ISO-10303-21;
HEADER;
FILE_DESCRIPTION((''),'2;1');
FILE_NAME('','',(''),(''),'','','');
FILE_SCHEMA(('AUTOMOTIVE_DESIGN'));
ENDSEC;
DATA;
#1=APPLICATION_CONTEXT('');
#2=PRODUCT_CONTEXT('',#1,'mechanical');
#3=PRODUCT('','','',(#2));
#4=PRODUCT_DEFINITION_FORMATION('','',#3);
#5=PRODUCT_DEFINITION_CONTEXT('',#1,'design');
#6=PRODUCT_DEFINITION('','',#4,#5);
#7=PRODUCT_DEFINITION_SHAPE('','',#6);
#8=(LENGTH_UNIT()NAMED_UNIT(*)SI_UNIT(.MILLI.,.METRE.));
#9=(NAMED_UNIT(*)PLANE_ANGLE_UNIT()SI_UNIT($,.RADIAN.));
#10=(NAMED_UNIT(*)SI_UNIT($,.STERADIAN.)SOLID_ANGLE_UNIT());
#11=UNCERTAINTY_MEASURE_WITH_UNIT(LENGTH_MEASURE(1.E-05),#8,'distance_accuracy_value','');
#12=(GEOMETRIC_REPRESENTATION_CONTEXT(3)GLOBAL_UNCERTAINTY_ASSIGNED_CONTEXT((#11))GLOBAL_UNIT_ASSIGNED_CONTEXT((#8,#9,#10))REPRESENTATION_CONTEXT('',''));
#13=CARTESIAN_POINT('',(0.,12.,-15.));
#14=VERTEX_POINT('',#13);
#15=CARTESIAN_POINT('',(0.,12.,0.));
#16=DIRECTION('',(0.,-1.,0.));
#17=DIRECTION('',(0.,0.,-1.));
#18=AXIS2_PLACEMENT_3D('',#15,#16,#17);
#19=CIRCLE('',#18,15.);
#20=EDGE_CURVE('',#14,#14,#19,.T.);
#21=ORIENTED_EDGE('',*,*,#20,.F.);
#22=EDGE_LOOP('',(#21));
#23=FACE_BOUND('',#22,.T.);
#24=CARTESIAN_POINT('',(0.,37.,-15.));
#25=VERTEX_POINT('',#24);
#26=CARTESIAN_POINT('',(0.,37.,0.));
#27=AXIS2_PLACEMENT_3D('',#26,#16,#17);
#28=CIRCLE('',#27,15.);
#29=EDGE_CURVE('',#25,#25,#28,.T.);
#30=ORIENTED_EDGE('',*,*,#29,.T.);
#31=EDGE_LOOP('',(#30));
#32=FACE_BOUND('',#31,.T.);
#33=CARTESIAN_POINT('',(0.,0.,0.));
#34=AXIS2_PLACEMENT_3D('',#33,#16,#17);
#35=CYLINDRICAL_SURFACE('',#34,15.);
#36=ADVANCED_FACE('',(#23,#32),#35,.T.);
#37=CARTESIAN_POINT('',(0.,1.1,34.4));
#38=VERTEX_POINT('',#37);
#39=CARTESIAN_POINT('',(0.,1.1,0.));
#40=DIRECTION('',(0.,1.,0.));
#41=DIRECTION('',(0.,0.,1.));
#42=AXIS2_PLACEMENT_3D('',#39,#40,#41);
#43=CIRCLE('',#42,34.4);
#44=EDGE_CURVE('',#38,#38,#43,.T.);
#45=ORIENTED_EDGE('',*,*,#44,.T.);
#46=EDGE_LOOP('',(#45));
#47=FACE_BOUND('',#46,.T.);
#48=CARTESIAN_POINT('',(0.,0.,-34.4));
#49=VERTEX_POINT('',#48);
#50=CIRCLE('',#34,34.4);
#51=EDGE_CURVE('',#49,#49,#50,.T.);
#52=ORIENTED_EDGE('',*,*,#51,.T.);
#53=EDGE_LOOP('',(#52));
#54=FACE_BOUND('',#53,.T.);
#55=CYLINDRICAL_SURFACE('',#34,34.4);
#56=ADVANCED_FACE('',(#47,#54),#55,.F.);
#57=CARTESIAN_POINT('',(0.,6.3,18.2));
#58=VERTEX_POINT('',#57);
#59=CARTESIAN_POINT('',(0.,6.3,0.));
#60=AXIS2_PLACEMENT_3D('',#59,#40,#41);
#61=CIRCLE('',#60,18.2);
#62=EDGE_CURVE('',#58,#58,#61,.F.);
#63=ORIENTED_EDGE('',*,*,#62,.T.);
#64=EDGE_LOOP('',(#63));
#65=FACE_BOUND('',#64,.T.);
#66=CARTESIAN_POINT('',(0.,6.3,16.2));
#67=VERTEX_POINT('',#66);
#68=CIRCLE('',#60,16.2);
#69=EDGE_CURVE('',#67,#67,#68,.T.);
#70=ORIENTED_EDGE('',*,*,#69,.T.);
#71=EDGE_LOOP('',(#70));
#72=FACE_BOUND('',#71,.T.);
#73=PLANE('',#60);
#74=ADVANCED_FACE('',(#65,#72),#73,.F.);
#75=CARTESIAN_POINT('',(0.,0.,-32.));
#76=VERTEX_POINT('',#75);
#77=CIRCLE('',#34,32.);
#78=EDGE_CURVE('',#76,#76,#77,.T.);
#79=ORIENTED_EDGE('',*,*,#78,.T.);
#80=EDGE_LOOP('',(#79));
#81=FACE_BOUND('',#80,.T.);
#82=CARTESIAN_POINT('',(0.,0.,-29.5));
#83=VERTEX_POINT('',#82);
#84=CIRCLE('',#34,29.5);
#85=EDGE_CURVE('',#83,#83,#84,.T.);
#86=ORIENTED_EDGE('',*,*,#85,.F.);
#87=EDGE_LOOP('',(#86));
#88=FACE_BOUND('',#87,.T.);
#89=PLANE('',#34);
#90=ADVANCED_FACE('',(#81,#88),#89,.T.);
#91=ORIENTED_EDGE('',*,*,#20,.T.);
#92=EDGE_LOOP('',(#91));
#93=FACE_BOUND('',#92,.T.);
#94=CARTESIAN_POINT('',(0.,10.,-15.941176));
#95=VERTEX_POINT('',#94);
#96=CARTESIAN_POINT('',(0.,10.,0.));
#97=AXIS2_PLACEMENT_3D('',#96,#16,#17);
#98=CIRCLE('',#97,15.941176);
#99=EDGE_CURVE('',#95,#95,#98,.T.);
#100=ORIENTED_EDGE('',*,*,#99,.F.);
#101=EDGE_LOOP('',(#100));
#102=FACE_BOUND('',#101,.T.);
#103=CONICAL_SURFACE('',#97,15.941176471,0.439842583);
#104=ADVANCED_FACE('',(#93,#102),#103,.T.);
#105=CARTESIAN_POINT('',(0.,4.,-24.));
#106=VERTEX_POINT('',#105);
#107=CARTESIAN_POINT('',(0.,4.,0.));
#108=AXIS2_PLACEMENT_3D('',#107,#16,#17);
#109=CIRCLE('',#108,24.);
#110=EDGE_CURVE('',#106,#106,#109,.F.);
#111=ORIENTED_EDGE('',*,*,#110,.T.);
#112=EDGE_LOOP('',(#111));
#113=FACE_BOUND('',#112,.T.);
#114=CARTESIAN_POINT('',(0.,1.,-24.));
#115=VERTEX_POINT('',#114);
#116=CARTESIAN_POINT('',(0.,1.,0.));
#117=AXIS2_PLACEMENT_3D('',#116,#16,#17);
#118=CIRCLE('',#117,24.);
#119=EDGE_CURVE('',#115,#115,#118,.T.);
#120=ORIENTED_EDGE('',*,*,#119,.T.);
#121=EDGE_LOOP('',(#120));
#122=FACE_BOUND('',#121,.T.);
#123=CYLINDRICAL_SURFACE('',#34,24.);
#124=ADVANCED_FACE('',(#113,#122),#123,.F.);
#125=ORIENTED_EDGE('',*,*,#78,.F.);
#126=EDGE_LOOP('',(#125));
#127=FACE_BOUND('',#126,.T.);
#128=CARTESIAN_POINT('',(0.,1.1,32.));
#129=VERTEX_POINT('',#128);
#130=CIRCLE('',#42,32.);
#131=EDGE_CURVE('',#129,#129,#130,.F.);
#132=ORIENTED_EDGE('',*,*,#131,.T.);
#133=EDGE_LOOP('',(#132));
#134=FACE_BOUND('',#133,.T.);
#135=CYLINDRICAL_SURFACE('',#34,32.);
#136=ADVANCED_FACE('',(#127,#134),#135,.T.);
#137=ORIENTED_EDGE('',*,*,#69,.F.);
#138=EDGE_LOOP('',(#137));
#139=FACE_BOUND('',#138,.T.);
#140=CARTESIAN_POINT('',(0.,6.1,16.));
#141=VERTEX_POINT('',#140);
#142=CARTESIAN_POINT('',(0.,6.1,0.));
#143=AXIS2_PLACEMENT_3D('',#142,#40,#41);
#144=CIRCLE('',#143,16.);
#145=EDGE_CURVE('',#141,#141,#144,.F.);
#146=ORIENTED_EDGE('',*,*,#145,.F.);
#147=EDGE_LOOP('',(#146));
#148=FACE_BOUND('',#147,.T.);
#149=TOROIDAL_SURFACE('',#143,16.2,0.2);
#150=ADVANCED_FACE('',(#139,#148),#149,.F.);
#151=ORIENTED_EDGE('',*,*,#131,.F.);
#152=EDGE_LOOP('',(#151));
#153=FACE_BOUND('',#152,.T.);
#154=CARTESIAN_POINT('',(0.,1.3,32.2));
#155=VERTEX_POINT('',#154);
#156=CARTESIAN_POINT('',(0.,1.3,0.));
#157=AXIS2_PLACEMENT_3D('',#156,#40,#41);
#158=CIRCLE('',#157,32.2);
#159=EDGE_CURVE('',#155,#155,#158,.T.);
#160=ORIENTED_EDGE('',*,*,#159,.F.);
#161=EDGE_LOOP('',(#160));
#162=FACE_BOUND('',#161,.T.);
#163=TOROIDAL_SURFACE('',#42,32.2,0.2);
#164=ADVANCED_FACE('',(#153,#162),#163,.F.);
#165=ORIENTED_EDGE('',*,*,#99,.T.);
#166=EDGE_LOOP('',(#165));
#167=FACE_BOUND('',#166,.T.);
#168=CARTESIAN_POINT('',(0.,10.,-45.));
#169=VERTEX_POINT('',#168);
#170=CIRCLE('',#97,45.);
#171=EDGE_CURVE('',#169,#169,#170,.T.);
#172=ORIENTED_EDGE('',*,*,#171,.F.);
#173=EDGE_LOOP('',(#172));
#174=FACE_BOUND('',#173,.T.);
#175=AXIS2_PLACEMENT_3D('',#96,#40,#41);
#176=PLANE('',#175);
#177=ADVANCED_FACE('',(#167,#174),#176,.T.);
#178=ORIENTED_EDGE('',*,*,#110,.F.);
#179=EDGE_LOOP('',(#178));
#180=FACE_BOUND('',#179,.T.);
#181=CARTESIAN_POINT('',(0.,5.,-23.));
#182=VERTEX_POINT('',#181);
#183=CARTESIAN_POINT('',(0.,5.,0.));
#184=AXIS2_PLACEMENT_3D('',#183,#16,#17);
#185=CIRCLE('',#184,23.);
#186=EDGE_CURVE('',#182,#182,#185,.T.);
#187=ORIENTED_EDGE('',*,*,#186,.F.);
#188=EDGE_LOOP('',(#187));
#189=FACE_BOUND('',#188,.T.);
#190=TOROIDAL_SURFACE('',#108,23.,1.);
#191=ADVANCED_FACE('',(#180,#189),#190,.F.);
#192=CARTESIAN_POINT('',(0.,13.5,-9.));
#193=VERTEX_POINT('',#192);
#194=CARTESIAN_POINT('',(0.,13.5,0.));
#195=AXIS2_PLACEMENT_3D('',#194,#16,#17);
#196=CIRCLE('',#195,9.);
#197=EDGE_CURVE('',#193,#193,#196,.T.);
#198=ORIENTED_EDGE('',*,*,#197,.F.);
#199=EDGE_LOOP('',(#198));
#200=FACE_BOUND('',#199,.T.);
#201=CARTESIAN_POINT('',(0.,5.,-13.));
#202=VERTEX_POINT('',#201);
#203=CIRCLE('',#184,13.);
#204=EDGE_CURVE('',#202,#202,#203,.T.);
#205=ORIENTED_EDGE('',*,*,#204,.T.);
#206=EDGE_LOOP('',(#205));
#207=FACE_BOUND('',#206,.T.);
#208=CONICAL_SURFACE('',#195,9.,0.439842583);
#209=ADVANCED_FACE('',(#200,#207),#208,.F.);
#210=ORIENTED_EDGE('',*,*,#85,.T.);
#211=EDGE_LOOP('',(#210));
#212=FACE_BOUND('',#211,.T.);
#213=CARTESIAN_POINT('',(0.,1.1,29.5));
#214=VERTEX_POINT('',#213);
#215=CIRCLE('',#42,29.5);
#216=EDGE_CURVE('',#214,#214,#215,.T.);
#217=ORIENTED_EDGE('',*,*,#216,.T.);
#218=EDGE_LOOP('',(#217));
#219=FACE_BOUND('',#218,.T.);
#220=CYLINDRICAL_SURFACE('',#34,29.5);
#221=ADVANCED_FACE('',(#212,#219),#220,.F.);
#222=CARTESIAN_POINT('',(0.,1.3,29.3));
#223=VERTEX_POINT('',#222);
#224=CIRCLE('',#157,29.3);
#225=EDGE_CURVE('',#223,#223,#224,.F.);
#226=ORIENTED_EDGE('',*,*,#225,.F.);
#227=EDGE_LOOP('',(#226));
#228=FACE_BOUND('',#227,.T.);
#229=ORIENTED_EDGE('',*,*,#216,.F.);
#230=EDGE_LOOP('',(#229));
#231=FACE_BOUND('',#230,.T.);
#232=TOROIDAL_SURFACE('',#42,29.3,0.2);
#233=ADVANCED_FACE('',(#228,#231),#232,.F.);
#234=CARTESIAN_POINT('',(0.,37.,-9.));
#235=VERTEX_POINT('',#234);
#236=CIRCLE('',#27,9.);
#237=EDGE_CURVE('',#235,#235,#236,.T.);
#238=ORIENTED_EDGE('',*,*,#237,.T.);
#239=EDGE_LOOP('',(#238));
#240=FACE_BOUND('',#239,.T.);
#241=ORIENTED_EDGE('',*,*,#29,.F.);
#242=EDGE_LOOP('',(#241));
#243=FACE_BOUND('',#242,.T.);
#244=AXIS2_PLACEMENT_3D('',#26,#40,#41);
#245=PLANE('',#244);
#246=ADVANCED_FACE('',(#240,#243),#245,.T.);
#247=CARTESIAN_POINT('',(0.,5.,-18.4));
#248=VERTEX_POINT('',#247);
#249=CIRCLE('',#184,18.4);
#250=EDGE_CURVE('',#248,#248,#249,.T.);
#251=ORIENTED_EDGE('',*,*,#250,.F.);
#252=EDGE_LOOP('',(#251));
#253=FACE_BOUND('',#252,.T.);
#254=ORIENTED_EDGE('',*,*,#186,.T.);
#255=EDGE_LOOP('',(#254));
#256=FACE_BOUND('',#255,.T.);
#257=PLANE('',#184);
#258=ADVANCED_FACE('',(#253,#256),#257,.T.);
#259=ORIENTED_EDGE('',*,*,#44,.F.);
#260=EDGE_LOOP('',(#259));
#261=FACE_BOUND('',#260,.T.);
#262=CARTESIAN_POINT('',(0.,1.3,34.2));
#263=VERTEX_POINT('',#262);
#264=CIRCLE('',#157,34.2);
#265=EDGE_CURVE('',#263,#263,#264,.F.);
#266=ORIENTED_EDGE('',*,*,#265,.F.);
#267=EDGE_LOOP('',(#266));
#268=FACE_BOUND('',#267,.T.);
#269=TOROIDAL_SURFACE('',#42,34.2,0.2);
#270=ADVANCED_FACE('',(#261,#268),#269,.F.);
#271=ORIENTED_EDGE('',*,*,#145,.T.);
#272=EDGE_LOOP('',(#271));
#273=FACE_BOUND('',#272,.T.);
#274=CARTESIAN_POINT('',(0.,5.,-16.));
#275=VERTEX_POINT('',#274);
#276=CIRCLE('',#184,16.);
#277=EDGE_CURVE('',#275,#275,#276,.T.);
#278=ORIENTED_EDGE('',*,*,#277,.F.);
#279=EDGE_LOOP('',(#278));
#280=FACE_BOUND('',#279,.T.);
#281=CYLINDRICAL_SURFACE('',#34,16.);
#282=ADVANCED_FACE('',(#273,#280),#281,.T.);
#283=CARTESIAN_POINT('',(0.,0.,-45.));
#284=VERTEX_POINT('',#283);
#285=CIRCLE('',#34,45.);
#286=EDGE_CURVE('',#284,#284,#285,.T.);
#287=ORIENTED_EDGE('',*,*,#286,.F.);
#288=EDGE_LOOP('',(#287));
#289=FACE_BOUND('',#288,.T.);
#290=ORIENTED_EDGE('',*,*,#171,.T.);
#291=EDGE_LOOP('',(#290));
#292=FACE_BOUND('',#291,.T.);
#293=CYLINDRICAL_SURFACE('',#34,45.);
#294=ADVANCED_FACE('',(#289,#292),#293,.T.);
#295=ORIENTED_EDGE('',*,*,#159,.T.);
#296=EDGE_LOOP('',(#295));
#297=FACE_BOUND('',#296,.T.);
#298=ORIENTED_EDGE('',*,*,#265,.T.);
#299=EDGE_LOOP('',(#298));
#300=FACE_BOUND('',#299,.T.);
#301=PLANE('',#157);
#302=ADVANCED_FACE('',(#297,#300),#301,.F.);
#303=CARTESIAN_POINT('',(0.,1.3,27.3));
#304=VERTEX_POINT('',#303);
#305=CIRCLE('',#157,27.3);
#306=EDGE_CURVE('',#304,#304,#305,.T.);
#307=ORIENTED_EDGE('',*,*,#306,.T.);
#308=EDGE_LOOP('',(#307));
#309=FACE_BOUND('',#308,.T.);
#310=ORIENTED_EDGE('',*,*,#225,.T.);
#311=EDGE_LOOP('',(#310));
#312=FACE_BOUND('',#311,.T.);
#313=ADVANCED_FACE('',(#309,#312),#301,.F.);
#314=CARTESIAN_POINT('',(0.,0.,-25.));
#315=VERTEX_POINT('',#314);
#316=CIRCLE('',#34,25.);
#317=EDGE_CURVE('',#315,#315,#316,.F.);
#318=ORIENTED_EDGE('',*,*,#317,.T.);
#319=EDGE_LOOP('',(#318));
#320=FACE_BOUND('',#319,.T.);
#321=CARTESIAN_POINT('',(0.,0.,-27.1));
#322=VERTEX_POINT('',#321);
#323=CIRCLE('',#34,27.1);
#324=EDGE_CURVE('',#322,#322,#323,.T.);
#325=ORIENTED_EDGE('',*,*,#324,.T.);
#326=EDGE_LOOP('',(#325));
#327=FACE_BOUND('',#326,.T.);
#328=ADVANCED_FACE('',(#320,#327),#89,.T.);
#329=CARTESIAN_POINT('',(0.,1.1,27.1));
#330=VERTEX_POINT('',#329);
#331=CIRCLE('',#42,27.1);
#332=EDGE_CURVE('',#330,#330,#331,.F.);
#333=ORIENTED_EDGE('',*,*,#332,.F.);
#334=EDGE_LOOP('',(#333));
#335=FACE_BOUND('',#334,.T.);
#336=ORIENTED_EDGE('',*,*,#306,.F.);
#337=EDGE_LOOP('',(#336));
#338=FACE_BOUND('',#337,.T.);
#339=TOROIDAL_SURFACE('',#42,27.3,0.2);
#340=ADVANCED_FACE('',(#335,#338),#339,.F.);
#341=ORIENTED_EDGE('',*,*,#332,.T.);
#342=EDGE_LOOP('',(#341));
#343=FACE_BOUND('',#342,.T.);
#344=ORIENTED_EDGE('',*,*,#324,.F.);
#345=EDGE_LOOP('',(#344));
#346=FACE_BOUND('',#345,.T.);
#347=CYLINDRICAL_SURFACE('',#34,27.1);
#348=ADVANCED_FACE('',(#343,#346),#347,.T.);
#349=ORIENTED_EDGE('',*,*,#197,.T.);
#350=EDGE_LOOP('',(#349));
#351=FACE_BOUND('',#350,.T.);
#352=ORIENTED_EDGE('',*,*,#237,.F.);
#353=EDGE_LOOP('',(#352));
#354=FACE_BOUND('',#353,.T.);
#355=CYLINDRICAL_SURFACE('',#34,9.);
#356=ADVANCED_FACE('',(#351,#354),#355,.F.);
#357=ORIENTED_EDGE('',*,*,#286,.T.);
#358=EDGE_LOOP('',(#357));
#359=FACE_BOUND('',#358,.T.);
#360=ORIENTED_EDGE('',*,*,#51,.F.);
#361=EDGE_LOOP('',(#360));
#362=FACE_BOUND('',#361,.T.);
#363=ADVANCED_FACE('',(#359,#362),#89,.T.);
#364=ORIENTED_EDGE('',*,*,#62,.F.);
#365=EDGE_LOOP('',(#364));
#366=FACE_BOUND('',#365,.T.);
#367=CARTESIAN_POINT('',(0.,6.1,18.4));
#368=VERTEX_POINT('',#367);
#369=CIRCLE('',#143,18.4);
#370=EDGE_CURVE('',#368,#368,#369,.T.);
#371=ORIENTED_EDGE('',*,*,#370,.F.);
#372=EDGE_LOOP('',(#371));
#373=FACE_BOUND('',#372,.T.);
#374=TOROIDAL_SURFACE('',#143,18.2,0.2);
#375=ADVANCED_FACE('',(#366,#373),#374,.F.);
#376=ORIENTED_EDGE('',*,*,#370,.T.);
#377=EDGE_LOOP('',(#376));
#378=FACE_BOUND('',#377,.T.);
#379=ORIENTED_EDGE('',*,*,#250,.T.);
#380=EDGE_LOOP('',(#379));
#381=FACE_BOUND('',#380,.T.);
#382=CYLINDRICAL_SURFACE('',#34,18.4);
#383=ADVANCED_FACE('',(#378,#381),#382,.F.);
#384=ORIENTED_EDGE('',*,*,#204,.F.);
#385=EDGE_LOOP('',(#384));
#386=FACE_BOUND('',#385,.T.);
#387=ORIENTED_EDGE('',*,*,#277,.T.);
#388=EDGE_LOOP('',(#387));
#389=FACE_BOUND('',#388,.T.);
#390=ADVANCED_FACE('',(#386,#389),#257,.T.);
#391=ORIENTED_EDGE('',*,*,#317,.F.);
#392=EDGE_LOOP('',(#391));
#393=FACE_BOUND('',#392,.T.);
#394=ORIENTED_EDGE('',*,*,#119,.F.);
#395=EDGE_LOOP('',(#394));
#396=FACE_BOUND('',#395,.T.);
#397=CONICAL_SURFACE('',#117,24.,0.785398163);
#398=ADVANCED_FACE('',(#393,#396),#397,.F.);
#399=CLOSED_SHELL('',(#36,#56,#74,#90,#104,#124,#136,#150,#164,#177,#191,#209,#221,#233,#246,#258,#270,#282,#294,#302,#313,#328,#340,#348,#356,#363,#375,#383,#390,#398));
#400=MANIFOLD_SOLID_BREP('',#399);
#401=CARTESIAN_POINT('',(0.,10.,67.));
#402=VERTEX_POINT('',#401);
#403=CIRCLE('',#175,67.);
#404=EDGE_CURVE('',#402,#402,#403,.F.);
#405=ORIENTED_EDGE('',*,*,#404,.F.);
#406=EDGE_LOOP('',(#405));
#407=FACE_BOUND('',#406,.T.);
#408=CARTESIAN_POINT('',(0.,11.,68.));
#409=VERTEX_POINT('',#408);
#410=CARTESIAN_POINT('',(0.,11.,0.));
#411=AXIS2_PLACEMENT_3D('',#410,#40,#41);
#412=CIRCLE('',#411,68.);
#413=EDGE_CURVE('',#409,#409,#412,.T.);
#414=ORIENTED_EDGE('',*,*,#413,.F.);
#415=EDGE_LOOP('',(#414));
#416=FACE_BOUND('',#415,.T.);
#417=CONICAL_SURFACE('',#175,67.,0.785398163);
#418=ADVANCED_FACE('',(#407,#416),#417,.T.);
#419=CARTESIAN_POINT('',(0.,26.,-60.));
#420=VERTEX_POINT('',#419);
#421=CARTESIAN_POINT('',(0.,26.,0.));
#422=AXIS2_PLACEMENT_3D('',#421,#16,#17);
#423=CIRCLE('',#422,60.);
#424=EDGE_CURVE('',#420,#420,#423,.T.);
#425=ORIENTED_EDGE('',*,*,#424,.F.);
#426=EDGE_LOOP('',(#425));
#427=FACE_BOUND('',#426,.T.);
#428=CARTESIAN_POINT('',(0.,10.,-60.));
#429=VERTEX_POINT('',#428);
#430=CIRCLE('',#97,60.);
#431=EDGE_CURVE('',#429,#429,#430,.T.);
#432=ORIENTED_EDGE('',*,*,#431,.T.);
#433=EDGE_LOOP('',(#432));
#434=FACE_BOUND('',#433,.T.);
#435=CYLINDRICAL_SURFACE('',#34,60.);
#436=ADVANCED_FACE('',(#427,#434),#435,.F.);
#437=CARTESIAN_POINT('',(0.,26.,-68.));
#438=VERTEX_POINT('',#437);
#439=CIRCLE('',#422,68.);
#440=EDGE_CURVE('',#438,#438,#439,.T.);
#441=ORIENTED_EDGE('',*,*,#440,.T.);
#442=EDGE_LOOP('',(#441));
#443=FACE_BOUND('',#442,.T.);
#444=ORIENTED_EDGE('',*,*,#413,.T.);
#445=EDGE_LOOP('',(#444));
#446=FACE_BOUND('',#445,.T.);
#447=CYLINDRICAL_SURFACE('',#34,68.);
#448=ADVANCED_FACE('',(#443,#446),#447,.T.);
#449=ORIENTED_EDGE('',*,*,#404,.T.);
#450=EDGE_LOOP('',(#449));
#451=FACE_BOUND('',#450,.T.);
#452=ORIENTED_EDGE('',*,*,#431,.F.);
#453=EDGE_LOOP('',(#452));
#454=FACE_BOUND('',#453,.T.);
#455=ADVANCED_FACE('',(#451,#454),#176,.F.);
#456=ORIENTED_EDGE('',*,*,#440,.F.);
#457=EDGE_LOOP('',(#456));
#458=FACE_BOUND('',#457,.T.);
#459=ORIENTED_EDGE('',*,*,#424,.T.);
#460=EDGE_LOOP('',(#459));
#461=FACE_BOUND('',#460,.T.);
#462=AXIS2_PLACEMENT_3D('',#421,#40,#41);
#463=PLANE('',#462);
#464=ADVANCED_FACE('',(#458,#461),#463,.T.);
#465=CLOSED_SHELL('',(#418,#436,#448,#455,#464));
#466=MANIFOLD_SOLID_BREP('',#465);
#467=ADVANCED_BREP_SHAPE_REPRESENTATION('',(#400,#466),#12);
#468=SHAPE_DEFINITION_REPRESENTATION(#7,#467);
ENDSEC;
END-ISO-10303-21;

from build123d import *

# Parameters (mm, degrees)
SCHIZZO1_W   = 8
SCHIZZO1_H   = 16
SMUSSO2_SIZE = 1
RACCORDO1_R  = 1
RACCORDO2_R  = 0.2
SMUSSO3_SIZE = 1


with BuildPart() as part:
    # Schizzo1 → Rivoluzione1 (revolve)
    with BuildSketch(Plane.XY, mode=Mode.PRIVATE) as rivoluzione1_sk:
        with Locations((-64, 18)):
            Rectangle(SCHIZZO1_W, SCHIZZO1_H)
        Polygon((-45, 10), (-45, 0), (-34.4, 0), (-34.4, 1.3), (-32, 1.3), (-32, 0), (-29.5, 0), (-29.5, 1.3), (-27.1, 1.3), (-27.1, 0), (-24, 0), (-24, 5), (-18.4, 5), (-18.4, 6.3), (-16, 6.3), (-16, 5), (-13, 5), (-9, 13.5), (-9, 37), (-15, 37), (-15, 12), (-15.941176471, 10), align=None)
    revolve(rivoluzione1_sk.sketch.rotate(Axis((0, 0, 0), (0, 1, 0)), 270), axis=Axis((0, 0, 0), (0, 1, 0)))

    # Smusso2
    smusso2_edges = [part.edges().sort_by_distance(p)[0] for p in [
        (0, 0, 24),
    ]]
    chamfer(smusso2_edges, length=SMUSSO2_SIZE)

    # Raccordo1
    raccordo1_edges = [part.edges().sort_by_distance(p)[0] for p in [
        (0, 5, 24),
    ]]
    fillet(raccordo1_edges, radius=RACCORDO1_R)

    # Raccordo2
    raccordo2_edges = [part.edges().sort_by_distance(p)[0] for p in [
        (0, 6.3, 16),
        (0, 6.3, 18.4),
        (0, 1.3, 27.1),
        (0, 1.3, 29.5),
        (0, 1.3, 32),
        (0, 1.3, 34.4),
    ]]
    fillet(raccordo2_edges, radius=RACCORDO2_R)

    # Smusso3
    smusso3_edges = [part.edges().sort_by_distance(p)[0] for p in [
        (0, 10, 68),
    ]]
    chamfer(smusso3_edges, length=SMUSSO3_SIZE)


solid = part.part
